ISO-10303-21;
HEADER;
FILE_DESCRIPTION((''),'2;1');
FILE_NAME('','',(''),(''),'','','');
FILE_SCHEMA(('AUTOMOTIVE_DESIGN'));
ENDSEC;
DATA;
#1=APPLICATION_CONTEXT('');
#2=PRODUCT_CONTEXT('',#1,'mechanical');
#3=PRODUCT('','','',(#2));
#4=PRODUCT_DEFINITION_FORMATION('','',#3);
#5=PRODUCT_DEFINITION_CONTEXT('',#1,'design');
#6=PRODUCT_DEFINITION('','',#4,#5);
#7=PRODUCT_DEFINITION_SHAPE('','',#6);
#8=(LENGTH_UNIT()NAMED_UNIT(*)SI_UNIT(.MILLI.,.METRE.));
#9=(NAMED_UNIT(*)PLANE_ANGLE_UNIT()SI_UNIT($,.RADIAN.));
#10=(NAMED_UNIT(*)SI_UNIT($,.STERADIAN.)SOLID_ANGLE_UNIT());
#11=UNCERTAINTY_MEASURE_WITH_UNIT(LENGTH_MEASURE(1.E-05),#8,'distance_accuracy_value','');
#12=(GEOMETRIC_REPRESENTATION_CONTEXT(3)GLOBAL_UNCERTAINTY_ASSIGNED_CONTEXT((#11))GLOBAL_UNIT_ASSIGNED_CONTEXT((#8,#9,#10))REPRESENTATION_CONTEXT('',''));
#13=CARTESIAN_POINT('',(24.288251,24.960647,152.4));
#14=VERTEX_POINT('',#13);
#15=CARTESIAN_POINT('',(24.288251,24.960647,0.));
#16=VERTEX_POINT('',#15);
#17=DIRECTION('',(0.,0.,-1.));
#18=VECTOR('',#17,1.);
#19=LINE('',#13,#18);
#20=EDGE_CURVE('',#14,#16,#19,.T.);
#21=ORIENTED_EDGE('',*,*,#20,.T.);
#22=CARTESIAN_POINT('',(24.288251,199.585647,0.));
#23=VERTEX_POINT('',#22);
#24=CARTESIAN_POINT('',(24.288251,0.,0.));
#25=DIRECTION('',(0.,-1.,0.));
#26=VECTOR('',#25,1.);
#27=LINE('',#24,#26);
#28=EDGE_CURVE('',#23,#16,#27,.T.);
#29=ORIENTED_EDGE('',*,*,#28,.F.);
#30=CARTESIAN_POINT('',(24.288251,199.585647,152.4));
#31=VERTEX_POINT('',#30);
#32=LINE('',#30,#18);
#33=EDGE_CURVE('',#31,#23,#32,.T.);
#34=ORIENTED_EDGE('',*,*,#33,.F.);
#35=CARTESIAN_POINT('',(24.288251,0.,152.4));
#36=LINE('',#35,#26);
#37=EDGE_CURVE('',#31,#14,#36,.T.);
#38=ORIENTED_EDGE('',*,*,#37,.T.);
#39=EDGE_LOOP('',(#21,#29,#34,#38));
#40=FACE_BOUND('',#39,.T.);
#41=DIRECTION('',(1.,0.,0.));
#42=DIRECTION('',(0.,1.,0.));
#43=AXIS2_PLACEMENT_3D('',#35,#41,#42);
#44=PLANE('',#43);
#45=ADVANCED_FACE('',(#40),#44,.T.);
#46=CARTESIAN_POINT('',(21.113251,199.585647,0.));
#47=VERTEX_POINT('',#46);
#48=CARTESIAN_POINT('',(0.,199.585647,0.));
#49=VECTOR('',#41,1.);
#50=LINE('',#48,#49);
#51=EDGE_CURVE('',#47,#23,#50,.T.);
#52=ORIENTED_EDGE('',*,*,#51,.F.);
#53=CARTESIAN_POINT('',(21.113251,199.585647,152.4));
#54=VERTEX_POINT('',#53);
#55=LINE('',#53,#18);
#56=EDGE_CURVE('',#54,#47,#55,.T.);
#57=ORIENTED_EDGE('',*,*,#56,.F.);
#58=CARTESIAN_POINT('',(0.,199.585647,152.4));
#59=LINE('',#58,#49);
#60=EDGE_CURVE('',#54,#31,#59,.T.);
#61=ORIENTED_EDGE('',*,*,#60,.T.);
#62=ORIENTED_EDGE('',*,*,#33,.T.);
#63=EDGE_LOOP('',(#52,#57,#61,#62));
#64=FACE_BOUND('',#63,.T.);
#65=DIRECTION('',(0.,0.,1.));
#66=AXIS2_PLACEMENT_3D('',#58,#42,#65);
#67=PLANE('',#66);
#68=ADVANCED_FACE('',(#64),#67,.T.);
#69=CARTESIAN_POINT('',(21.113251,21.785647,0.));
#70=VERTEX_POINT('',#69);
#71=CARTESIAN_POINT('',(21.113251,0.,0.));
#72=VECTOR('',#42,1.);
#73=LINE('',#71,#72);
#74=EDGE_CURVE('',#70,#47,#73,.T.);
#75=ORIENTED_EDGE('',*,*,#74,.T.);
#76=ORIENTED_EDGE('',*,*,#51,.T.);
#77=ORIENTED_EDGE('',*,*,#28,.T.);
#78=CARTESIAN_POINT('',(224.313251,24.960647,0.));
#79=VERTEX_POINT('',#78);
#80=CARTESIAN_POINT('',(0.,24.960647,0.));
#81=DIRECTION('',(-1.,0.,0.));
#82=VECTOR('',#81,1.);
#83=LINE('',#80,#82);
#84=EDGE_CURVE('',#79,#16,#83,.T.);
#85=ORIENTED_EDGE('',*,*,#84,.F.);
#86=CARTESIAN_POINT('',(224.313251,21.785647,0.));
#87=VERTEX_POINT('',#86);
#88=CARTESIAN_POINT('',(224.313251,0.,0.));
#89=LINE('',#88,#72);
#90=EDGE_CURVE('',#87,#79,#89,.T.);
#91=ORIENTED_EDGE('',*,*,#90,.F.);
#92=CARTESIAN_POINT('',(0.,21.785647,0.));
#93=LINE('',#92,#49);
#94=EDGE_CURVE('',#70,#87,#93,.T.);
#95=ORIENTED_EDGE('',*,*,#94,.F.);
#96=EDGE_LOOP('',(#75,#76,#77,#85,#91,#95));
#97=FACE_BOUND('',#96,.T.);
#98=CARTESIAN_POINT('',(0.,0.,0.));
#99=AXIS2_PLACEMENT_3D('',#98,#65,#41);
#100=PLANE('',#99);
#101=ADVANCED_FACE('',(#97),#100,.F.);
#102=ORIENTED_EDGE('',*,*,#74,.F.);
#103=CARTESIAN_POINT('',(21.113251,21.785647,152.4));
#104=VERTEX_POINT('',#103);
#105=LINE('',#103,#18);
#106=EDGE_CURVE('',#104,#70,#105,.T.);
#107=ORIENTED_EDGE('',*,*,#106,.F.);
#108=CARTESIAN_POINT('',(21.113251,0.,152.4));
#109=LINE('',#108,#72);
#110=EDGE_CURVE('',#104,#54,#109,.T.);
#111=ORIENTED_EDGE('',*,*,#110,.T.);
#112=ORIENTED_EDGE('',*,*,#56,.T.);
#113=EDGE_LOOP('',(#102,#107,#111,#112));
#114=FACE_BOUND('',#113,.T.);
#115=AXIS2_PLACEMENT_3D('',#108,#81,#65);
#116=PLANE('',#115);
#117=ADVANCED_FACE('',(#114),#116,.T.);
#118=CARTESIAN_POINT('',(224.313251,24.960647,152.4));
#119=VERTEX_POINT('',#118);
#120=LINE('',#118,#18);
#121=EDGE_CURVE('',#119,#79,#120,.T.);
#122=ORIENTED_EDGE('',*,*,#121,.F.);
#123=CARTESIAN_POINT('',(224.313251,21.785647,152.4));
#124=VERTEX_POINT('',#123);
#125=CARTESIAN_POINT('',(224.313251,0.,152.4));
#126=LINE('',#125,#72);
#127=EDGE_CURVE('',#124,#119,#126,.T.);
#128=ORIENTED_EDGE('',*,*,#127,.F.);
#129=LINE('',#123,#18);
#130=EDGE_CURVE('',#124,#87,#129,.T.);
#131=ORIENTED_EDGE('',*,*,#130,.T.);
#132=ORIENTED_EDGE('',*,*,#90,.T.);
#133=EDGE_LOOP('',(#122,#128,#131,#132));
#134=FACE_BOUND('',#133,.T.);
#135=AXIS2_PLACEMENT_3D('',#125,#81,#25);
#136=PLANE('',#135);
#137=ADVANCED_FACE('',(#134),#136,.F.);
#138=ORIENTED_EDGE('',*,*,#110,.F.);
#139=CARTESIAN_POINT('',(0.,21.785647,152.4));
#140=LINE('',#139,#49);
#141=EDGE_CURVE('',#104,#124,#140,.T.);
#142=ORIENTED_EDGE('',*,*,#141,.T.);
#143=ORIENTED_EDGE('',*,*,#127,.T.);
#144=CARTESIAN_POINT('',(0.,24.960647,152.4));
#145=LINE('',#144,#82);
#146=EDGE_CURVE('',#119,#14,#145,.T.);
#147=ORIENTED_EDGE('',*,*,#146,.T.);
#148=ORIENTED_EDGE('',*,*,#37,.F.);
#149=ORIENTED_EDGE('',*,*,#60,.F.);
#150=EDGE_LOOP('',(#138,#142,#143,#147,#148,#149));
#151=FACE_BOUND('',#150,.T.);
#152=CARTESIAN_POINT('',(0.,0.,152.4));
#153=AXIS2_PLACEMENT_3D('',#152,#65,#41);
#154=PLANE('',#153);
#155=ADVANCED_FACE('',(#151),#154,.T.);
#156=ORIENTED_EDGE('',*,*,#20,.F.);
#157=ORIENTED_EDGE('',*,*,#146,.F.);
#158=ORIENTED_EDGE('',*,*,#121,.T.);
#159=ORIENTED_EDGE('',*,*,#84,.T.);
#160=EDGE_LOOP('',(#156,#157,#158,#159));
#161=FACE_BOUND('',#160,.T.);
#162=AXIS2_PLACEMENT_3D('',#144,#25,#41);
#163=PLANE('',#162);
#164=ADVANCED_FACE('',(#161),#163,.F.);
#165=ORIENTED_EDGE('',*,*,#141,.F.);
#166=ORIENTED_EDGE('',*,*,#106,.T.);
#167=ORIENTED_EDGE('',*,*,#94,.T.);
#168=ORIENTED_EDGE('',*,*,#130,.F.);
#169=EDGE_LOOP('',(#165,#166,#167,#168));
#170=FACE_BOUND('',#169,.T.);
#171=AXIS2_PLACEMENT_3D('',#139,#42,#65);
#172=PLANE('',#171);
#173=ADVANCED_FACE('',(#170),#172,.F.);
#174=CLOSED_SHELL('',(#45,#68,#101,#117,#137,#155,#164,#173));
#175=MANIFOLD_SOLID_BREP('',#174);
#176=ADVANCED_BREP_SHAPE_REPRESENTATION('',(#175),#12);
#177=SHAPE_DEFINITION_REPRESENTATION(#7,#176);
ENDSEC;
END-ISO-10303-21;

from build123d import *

# Parameters (mm, degrees)
BOSS_EXTRUDE1_DEPTH = 152.4


with BuildPart() as part:
    # Sketch2 → Boss-Extrude1 (new body)
    with BuildSketch(Plane.XY):
        Polygon((21.113251485, 199.585646973), (21.113251485, 21.785646973), (224.313251485, 21.785646973), (224.313251485, 24.960646973), (24.288251485, 24.960646973), (24.288251485, 199.585646973), align=None)
    extrude(amount=BOSS_EXTRUDE1_DEPTH)


solid = part.part
